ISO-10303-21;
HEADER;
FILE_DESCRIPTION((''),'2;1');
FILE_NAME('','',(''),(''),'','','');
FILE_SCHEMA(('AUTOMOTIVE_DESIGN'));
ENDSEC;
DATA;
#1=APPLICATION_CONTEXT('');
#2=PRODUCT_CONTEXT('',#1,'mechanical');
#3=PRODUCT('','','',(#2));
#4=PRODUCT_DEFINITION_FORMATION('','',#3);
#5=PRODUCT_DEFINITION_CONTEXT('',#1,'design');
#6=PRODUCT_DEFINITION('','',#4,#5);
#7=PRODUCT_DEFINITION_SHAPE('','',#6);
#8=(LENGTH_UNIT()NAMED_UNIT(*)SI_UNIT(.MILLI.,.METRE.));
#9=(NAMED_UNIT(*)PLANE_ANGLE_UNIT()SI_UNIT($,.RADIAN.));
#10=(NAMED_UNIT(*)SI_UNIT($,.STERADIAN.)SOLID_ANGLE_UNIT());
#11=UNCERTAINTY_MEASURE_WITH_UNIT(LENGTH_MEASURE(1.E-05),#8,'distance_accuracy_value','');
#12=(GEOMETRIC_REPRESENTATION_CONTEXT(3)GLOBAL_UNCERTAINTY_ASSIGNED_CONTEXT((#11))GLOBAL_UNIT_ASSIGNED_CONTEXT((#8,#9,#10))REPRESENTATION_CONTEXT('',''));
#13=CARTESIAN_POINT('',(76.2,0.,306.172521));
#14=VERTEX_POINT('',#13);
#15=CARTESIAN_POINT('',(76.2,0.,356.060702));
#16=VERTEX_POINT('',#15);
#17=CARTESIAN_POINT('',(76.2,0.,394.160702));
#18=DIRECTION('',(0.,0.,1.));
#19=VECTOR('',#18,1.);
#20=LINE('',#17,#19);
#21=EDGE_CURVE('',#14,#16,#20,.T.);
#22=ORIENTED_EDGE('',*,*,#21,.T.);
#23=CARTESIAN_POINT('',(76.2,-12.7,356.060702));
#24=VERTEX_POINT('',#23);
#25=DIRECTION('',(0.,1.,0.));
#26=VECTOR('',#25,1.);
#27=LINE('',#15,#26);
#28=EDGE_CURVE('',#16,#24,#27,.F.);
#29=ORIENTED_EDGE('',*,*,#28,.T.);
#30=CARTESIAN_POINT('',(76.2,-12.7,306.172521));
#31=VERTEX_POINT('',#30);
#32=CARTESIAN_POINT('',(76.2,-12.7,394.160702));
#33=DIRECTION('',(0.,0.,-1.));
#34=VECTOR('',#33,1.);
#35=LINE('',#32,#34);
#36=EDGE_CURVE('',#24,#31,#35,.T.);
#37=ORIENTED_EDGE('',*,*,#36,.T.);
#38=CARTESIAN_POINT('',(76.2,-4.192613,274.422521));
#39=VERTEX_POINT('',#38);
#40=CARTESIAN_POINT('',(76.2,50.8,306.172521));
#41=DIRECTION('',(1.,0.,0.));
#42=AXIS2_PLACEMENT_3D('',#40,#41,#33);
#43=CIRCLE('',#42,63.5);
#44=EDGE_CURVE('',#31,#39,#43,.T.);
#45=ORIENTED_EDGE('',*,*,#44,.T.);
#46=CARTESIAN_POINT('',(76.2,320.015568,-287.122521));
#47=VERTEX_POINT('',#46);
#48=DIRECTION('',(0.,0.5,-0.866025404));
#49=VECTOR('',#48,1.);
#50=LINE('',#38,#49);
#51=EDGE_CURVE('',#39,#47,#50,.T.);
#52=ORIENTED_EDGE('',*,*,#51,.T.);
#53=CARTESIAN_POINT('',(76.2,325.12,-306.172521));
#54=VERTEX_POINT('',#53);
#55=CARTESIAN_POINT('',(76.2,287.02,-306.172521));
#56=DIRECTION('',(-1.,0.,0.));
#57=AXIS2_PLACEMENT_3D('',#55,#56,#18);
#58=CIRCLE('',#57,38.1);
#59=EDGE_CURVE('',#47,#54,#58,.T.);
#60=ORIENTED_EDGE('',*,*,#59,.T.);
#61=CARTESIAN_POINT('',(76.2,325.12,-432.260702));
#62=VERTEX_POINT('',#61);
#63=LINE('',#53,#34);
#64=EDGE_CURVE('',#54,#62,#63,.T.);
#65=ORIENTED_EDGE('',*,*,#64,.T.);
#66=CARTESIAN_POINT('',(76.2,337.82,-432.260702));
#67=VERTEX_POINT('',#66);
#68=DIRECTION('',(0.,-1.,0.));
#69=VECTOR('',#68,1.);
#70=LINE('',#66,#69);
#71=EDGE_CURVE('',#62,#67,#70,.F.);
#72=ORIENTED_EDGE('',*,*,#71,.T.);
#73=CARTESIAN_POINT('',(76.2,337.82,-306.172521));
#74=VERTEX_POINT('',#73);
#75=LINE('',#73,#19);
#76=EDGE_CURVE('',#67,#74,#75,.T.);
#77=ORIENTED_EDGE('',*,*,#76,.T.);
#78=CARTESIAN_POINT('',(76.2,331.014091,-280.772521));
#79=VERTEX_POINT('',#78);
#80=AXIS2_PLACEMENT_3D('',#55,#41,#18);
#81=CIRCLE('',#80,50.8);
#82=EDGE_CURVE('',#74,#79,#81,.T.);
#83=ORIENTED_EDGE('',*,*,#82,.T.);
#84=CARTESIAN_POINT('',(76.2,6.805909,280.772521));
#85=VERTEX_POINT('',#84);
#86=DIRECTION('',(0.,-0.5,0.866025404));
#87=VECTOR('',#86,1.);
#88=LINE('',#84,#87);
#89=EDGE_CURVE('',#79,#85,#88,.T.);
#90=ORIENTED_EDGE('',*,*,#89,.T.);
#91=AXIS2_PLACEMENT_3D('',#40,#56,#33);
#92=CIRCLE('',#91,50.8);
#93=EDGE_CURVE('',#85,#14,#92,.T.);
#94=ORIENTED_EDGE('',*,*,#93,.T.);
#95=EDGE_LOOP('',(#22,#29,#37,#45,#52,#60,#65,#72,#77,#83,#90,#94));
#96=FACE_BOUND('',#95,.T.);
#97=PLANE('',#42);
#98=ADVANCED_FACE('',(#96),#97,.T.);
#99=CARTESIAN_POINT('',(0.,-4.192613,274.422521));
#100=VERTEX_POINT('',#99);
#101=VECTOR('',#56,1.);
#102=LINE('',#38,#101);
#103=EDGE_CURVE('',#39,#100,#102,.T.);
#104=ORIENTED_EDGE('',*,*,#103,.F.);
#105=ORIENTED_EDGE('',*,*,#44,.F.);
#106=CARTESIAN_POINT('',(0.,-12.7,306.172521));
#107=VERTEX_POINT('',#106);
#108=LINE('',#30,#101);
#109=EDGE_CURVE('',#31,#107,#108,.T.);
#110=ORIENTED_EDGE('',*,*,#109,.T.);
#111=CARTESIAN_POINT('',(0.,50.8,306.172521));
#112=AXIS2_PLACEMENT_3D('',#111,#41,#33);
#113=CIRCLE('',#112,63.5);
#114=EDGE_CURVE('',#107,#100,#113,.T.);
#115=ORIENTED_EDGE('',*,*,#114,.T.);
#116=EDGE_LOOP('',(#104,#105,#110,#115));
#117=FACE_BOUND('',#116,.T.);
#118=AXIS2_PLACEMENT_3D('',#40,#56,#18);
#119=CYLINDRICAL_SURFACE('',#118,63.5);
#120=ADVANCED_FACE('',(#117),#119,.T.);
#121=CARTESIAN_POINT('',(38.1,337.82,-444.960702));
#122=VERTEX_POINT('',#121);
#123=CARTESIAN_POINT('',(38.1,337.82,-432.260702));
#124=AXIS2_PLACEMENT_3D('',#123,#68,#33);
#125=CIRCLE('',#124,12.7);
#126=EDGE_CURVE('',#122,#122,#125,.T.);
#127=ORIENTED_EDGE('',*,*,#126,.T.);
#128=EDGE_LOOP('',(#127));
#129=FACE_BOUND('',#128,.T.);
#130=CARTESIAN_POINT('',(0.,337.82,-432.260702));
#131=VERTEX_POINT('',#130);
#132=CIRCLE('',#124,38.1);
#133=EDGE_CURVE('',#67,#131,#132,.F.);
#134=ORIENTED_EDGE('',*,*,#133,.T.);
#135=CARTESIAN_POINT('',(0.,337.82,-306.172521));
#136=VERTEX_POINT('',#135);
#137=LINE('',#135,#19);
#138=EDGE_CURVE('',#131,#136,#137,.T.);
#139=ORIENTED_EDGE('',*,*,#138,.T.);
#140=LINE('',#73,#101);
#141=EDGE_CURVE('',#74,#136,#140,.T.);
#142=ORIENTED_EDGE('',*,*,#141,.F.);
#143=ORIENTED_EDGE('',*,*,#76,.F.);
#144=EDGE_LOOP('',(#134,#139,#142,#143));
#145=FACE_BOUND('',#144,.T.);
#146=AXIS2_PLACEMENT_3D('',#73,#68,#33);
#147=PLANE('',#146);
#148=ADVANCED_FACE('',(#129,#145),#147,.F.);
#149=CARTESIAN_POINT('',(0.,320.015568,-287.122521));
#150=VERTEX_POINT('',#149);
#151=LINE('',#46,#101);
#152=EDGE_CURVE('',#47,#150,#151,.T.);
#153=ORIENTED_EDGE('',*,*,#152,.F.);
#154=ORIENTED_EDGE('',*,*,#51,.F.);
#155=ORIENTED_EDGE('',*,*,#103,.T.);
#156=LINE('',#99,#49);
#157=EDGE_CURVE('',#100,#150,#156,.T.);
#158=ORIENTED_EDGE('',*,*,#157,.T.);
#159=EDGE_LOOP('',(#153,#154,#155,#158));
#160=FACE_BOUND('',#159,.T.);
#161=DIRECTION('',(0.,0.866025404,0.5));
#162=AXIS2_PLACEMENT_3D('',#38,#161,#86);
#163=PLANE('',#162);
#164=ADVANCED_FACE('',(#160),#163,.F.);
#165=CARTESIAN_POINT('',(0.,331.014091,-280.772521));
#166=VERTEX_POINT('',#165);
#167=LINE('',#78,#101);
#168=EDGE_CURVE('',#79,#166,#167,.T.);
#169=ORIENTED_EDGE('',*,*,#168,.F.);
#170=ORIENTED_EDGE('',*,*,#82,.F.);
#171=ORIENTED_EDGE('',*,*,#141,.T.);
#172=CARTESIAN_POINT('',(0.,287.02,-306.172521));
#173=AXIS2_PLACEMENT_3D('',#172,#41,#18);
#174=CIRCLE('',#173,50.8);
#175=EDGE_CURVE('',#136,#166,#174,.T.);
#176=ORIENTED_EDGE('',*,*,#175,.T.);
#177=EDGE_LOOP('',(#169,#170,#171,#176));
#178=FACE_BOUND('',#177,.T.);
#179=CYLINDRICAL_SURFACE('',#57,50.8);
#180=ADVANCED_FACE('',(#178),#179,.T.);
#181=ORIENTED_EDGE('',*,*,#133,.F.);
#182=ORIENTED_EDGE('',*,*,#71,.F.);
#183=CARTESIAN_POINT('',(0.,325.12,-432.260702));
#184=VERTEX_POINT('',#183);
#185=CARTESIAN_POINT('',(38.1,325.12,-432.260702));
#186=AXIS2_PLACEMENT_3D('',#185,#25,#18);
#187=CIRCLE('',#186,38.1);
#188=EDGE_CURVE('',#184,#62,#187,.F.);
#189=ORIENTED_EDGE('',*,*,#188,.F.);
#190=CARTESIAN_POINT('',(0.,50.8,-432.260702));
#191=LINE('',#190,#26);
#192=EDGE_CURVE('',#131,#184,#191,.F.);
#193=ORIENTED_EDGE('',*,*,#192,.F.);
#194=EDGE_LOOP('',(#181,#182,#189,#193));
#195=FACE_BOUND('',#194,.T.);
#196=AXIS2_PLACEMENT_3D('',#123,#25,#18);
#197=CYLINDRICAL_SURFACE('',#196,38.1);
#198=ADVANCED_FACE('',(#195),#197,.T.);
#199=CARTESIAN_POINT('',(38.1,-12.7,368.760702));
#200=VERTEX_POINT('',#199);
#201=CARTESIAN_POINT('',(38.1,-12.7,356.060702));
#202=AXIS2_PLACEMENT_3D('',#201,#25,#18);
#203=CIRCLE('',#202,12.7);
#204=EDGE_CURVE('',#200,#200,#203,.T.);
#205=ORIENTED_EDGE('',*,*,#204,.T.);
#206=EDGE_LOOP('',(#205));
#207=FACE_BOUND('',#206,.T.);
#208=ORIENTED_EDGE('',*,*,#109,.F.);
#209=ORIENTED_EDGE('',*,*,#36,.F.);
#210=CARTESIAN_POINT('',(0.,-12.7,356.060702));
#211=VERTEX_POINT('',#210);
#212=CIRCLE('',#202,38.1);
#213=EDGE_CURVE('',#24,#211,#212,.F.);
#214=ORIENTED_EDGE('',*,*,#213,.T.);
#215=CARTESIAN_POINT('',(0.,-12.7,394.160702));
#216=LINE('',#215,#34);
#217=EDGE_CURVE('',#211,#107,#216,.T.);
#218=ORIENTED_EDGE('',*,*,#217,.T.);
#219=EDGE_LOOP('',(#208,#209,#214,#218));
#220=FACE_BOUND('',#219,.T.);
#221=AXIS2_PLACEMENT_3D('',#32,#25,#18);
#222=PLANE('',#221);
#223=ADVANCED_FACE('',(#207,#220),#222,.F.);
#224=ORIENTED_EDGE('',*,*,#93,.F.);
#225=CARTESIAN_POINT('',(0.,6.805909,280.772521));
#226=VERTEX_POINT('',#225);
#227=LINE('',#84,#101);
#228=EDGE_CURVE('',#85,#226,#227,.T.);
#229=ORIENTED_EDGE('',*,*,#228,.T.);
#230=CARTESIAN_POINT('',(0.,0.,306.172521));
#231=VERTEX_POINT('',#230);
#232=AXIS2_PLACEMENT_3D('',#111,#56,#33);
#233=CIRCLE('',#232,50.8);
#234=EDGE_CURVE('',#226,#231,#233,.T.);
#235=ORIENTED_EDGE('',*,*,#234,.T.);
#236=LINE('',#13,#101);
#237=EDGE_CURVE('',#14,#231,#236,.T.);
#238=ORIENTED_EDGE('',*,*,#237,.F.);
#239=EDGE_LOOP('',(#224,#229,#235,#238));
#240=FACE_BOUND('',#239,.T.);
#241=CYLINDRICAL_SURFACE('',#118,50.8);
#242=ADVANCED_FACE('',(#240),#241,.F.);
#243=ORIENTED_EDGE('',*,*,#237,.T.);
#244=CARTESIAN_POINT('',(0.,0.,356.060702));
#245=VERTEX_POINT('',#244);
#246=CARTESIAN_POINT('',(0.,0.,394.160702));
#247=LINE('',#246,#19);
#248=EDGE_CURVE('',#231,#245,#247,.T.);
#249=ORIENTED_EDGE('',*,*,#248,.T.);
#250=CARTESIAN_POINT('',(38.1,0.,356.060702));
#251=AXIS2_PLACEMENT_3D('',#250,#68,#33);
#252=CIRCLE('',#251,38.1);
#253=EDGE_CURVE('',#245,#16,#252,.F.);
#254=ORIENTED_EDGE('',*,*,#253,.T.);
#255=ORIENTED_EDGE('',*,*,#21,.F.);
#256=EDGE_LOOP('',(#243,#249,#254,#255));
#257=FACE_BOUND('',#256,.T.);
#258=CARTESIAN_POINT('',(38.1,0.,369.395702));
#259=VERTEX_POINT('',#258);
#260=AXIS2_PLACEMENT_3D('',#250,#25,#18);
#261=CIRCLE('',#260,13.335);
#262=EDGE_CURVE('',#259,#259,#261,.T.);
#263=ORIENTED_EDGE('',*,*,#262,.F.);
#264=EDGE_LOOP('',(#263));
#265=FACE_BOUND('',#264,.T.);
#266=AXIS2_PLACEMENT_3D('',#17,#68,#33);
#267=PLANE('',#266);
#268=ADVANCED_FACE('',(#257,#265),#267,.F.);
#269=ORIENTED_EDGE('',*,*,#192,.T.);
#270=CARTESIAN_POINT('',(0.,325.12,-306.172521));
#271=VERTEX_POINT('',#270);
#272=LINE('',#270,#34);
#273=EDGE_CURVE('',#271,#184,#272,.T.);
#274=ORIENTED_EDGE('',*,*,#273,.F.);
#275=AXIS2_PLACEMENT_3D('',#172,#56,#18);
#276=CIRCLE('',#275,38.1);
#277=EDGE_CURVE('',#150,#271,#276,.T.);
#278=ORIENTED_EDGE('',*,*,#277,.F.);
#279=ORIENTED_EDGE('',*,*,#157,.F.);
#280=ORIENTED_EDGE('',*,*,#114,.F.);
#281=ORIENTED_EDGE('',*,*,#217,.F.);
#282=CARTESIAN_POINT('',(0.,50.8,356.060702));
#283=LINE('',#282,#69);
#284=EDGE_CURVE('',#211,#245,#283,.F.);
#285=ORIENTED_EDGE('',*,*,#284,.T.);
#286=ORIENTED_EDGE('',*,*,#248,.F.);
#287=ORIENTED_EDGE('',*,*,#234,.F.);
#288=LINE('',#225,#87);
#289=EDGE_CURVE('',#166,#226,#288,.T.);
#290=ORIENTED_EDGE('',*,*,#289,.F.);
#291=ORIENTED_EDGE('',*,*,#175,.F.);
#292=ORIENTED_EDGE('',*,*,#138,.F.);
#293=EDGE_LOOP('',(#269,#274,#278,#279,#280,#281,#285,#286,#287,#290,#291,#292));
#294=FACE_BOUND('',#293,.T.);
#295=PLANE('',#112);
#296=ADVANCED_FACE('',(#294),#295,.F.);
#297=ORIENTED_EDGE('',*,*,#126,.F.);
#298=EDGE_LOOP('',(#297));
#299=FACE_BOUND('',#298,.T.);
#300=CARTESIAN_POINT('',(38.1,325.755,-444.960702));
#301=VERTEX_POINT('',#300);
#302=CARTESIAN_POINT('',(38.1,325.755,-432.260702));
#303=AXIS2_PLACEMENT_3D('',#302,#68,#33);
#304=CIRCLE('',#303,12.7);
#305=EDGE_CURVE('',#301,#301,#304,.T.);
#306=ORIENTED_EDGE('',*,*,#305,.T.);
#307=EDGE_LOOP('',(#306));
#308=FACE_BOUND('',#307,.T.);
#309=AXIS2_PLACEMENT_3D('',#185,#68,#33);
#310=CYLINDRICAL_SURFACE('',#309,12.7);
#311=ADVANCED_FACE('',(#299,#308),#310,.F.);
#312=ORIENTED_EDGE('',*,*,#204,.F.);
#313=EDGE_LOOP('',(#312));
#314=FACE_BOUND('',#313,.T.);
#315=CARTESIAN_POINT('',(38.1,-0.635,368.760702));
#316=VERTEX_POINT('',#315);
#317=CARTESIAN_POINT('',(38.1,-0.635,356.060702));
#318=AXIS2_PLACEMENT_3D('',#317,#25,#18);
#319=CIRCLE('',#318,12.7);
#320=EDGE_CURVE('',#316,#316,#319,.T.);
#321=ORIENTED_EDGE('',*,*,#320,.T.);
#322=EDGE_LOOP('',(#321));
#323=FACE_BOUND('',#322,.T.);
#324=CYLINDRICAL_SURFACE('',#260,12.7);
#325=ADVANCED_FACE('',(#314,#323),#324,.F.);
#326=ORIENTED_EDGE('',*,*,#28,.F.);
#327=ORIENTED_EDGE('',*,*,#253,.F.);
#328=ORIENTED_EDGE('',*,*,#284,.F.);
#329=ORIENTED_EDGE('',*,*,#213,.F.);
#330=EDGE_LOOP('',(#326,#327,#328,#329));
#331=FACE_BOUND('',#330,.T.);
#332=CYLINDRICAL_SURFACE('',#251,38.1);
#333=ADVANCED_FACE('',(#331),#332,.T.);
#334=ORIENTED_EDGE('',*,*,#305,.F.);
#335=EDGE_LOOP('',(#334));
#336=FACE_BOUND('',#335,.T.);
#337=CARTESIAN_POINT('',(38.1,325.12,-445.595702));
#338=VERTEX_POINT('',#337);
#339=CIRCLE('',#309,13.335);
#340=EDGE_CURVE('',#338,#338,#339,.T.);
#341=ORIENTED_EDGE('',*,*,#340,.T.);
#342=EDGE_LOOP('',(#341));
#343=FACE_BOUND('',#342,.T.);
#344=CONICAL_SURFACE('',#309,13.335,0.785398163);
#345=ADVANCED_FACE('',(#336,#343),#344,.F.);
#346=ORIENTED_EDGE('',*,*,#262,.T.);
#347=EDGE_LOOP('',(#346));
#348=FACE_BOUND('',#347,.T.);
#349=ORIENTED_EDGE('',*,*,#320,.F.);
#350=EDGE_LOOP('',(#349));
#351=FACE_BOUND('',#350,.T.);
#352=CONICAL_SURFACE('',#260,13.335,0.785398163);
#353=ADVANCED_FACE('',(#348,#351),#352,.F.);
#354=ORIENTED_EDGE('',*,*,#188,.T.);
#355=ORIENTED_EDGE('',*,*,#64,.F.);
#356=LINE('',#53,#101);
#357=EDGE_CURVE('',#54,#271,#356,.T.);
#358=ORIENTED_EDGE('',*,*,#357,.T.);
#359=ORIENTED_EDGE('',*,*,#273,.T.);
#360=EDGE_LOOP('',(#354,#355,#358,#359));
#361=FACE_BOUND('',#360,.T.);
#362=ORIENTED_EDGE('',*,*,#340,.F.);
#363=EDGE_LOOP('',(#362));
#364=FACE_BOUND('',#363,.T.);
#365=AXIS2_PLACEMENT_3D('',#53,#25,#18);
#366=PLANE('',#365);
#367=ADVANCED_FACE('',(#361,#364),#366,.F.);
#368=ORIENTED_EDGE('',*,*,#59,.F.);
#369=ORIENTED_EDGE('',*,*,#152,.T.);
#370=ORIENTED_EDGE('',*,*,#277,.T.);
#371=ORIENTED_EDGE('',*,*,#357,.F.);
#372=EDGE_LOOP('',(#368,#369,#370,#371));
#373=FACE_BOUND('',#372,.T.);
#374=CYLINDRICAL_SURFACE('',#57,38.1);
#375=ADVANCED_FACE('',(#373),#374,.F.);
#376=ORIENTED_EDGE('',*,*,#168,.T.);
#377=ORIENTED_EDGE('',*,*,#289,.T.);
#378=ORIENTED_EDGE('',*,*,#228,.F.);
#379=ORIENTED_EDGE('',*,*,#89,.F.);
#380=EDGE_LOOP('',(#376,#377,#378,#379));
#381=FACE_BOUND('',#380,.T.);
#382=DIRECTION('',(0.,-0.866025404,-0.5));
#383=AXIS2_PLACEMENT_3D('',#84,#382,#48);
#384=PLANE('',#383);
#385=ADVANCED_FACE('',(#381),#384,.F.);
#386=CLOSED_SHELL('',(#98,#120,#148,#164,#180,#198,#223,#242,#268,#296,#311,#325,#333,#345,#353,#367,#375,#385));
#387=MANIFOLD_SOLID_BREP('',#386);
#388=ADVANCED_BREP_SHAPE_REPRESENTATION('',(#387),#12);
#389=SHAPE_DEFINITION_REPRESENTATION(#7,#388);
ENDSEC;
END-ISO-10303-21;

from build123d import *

# Parameters (mm, degrees)
BOSS_EXTRUDE1_DEPTH = 76.2
FILLET1_RADIUS      = 38.1
FILLET1_LENGTH      = 12.7
FILLET2_RADIUS      = 38.1
FILLET2_LENGTH      = 12.7


with BuildPart() as part:
    # Sketch2 → Boss-Extrude1 (new body)
    with BuildSketch(Plane(origin=(0, 0, 0), x_dir=(0, 0, -1), z_dir=(1, 0, 0))):
        with BuildLine():
            Line((-394.160701906, 0), (-306.172520882, 0))
            ThreePointArc((-306.172520882, 0), (-293.024513391, 1.730968025), (-280.772520882, 6.805909488))
            Line((-280.772520882, 6.805909488), (280.772520882, 331.014090512))
            ThreePointArc((280.772520882, 331.014090512), (293.024513391, 336.089031975), (306.172520882, 337.82))
            Line((306.172520882, 337.82), (470.360701906, 337.82))
            Line((470.360701906, 337.82), (470.360701906, 325.12))
            Line((470.360701906, 325.12), (306.172520882, 325.12))
            ThreePointArc((306.172520882, 325.12), (296.311515264, 323.821773982), (287.122520882, 320.015567884))
            Line((287.122520882, 320.015567884), (-274.422520882, -4.19261314))
            ThreePointArc((-274.422520882, -4.19261314), (-289.737511518, -10.536289969), (-306.172520882, -12.7))
            Line((-306.172520882, -12.7), (-394.160701906, -12.7))
            Line((-394.160701906, -12.7), (-394.160701906, 0))
        make_face()
    extrude(amount=BOSS_EXTRUDE1_DEPTH)

    # Fillet1: full round fillet: the end face becomes a half cylinder, R = half its width
    fillet1_face = Plane((38.1, -6.35, 394.160701906), x_dir=(0, -1, 0), z_dir=(0, 0, 1))  # on the end face: x along it, z out of the body
    fillet1_slab = fillet1_face.offset(-FILLET1_RADIUS / 2) * Box(FILLET1_LENGTH, 2 * FILLET1_RADIUS, FILLET1_RADIUS, mode=Mode.PRIVATE)  # the body's end, R deep
    fillet1_round = Plane((38.1, -6.35, 356.060701906), x_dir=(0, 0, 1), z_dir=(0, -1, 0)) * Cylinder(FILLET1_RADIUS, FILLET1_LENGTH, mode=Mode.PRIVATE)  # its axis R under the face
    add(fillet1_slab - fillet1_round, mode=Mode.SUBTRACT)

    # Fillet2: full round fillet: the end face becomes a half cylinder, R = half its width
    fillet2_face = Plane((38.1, 331.47, -470.360701906), x_dir=(0, 1, 0), z_dir=(0, 0, -1))  # on the end face: x along it, z out of the body
    fillet2_slab = fillet2_face.offset(-FILLET2_RADIUS / 2) * Box(FILLET2_LENGTH, 2 * FILLET2_RADIUS, FILLET2_RADIUS, mode=Mode.PRIVATE)  # the body's end, R deep
    fillet2_round = Plane((38.1, 331.47, -432.260701906), x_dir=(0, 0, -1), z_dir=(0, 1, 0)) * Cylinder(FILLET2_RADIUS, FILLET2_LENGTH, mode=Mode.PRIVATE)  # its axis R under the face
    add(fillet2_slab - fillet2_round, mode=Mode.SUBTRACT)

    # Sketch4 → 1 (1) Diameter Hole1 (revolve, cut)
    with BuildSketch(Plane(origin=(38.1, 0, 356.060701906), x_dir=(0, 0, 1), z_dir=(1, 0, 0))):
        Polygon((0, 0), (0, 12.7), (12.7, 12.7), (12.7, 0.635), (13.335, 0), align=None)
    revolve(axis=Axis((38.1, 6.35, 356.060701906), (0, -1, 0)), mode=Mode.SUBTRACT)

    # Sketch7 → 1 (1) Diameter Hole2 (revolve, cut)
    with BuildSketch(Plane(origin=(38.1, 325.12, -432.260701906), x_dir=(0, 0, -1), z_dir=(1, 0, 0))):
        Polygon((0, 0), (0, 12.7), (12.7, 12.7), (12.7, 0.635), (13.335, 0), align=None)
    revolve(axis=Axis((38.1, 318.77, -432.260701906), (0, 1, 0)), mode=Mode.SUBTRACT)


solid = part.part
